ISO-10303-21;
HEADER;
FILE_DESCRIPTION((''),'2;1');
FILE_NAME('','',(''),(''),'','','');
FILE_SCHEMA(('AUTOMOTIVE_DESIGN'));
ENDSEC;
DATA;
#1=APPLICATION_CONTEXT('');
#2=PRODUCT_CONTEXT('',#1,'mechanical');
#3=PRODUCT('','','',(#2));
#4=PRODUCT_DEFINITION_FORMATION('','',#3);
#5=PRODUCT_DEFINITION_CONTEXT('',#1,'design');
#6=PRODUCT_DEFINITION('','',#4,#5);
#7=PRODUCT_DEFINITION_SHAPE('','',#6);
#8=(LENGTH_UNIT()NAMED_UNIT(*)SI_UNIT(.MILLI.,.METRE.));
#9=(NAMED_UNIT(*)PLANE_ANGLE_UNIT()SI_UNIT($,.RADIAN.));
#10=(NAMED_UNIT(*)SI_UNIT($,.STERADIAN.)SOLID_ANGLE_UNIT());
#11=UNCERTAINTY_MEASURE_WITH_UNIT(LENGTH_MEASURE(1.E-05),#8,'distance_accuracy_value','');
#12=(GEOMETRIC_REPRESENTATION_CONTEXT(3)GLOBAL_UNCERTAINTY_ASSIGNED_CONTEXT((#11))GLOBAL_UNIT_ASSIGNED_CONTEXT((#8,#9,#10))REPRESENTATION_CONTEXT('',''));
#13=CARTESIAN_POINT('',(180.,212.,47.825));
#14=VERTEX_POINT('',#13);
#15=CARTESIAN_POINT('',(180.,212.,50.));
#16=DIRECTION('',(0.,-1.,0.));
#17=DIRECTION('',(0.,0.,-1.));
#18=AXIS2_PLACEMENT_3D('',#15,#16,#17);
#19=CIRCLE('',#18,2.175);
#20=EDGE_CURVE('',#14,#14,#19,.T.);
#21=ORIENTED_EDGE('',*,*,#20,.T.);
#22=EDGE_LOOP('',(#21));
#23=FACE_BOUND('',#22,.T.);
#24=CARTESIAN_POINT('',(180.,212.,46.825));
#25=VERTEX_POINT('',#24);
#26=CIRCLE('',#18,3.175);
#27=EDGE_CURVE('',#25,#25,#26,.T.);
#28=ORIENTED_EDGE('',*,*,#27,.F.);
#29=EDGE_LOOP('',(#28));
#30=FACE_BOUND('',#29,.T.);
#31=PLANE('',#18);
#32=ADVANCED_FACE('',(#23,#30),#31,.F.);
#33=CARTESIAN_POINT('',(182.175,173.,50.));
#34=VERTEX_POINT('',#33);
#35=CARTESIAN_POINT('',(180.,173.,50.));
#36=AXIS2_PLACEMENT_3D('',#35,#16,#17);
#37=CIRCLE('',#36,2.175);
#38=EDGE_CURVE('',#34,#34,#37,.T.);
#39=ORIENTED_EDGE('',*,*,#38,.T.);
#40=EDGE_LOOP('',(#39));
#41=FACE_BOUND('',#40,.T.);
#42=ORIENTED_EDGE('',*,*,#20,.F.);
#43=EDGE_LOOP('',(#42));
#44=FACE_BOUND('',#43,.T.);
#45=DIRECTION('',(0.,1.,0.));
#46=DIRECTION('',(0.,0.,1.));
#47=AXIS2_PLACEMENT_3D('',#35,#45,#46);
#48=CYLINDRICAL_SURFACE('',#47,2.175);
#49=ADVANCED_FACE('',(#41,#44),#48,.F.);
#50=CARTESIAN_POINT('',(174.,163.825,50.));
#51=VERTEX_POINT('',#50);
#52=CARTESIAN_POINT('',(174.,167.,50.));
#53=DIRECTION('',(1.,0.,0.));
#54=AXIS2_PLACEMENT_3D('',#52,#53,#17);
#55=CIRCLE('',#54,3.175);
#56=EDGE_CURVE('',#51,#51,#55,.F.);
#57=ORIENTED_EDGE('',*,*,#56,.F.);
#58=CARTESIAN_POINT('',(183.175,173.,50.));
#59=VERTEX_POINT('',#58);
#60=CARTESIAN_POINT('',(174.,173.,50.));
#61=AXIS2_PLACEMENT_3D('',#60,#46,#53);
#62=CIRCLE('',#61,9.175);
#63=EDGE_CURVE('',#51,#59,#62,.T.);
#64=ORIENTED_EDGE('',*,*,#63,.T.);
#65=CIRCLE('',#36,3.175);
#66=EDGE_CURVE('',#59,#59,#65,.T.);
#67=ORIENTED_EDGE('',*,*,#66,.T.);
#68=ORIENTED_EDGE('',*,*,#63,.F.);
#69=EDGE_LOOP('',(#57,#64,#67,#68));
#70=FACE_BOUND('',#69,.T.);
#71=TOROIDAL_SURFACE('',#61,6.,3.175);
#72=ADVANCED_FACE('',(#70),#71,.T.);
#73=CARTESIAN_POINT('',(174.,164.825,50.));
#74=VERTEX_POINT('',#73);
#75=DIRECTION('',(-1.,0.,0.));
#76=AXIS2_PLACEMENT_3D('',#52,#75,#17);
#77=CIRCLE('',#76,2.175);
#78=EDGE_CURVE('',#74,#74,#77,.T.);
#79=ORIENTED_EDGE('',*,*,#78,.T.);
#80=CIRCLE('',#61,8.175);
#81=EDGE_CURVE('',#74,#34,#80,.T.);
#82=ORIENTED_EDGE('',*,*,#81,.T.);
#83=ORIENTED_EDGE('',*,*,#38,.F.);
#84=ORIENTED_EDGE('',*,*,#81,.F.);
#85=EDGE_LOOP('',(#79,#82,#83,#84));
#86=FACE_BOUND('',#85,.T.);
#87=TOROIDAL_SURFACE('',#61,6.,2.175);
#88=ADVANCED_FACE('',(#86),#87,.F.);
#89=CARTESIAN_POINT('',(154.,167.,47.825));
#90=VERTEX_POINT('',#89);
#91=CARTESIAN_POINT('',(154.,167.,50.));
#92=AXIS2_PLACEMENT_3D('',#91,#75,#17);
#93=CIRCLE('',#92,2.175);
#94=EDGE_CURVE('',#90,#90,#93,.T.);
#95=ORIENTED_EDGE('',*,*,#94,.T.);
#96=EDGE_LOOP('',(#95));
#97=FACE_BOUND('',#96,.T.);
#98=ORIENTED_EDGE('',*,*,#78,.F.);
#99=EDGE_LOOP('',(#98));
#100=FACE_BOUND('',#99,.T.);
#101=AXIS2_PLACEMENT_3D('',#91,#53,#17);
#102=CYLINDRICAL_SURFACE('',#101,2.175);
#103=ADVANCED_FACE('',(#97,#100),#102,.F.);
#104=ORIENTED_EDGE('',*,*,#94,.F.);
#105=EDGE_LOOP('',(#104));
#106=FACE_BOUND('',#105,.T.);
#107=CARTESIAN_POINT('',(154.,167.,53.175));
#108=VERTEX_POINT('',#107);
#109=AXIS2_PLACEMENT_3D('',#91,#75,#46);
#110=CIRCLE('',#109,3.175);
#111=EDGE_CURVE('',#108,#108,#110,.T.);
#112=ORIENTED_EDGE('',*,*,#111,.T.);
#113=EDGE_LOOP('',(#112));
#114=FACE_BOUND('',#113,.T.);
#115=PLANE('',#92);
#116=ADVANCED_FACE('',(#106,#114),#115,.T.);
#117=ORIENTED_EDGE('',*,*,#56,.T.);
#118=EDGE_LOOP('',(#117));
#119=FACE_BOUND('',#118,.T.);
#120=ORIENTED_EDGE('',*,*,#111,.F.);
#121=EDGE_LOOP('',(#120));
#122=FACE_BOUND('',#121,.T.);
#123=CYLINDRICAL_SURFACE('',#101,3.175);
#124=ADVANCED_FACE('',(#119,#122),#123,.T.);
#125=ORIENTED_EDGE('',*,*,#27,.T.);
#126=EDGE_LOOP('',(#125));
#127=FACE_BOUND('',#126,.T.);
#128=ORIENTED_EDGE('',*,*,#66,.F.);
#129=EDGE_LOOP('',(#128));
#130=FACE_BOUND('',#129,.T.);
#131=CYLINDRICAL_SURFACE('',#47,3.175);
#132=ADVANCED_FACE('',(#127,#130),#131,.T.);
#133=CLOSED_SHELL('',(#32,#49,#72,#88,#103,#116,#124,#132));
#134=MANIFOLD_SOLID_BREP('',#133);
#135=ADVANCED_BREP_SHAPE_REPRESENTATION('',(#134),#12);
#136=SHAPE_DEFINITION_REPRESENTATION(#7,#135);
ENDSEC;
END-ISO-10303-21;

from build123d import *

# Parameters (mm, degrees)
TUBE_PROFILE_R   = 3.175
TUBE_PROFILE_R_2 = 2.175


with BuildPart() as part:
    # Tube: sweep along a curve in space
    with BuildLine() as tube_path:
        Line((154, 167, 50), (174, 167, 50))
        ThreePointArc((180, 173, 50), (178.242640687, 168.757359313, 50), (174, 167, 50))
        Line((180, 173, 50), (180, 212, 50))
    # Tube profile (on start of the path) → Tube (sweep)
    with BuildSketch(Plane(origin=(154, 167, 50), x_dir=(0, 0, 1), z_dir=(1, 0, 0))):
        Circle(TUBE_PROFILE_R)
        Circle(TUBE_PROFILE_R_2, mode=Mode.SUBTRACT)
    sweep(path=tube_path.line)


solid = part.part
